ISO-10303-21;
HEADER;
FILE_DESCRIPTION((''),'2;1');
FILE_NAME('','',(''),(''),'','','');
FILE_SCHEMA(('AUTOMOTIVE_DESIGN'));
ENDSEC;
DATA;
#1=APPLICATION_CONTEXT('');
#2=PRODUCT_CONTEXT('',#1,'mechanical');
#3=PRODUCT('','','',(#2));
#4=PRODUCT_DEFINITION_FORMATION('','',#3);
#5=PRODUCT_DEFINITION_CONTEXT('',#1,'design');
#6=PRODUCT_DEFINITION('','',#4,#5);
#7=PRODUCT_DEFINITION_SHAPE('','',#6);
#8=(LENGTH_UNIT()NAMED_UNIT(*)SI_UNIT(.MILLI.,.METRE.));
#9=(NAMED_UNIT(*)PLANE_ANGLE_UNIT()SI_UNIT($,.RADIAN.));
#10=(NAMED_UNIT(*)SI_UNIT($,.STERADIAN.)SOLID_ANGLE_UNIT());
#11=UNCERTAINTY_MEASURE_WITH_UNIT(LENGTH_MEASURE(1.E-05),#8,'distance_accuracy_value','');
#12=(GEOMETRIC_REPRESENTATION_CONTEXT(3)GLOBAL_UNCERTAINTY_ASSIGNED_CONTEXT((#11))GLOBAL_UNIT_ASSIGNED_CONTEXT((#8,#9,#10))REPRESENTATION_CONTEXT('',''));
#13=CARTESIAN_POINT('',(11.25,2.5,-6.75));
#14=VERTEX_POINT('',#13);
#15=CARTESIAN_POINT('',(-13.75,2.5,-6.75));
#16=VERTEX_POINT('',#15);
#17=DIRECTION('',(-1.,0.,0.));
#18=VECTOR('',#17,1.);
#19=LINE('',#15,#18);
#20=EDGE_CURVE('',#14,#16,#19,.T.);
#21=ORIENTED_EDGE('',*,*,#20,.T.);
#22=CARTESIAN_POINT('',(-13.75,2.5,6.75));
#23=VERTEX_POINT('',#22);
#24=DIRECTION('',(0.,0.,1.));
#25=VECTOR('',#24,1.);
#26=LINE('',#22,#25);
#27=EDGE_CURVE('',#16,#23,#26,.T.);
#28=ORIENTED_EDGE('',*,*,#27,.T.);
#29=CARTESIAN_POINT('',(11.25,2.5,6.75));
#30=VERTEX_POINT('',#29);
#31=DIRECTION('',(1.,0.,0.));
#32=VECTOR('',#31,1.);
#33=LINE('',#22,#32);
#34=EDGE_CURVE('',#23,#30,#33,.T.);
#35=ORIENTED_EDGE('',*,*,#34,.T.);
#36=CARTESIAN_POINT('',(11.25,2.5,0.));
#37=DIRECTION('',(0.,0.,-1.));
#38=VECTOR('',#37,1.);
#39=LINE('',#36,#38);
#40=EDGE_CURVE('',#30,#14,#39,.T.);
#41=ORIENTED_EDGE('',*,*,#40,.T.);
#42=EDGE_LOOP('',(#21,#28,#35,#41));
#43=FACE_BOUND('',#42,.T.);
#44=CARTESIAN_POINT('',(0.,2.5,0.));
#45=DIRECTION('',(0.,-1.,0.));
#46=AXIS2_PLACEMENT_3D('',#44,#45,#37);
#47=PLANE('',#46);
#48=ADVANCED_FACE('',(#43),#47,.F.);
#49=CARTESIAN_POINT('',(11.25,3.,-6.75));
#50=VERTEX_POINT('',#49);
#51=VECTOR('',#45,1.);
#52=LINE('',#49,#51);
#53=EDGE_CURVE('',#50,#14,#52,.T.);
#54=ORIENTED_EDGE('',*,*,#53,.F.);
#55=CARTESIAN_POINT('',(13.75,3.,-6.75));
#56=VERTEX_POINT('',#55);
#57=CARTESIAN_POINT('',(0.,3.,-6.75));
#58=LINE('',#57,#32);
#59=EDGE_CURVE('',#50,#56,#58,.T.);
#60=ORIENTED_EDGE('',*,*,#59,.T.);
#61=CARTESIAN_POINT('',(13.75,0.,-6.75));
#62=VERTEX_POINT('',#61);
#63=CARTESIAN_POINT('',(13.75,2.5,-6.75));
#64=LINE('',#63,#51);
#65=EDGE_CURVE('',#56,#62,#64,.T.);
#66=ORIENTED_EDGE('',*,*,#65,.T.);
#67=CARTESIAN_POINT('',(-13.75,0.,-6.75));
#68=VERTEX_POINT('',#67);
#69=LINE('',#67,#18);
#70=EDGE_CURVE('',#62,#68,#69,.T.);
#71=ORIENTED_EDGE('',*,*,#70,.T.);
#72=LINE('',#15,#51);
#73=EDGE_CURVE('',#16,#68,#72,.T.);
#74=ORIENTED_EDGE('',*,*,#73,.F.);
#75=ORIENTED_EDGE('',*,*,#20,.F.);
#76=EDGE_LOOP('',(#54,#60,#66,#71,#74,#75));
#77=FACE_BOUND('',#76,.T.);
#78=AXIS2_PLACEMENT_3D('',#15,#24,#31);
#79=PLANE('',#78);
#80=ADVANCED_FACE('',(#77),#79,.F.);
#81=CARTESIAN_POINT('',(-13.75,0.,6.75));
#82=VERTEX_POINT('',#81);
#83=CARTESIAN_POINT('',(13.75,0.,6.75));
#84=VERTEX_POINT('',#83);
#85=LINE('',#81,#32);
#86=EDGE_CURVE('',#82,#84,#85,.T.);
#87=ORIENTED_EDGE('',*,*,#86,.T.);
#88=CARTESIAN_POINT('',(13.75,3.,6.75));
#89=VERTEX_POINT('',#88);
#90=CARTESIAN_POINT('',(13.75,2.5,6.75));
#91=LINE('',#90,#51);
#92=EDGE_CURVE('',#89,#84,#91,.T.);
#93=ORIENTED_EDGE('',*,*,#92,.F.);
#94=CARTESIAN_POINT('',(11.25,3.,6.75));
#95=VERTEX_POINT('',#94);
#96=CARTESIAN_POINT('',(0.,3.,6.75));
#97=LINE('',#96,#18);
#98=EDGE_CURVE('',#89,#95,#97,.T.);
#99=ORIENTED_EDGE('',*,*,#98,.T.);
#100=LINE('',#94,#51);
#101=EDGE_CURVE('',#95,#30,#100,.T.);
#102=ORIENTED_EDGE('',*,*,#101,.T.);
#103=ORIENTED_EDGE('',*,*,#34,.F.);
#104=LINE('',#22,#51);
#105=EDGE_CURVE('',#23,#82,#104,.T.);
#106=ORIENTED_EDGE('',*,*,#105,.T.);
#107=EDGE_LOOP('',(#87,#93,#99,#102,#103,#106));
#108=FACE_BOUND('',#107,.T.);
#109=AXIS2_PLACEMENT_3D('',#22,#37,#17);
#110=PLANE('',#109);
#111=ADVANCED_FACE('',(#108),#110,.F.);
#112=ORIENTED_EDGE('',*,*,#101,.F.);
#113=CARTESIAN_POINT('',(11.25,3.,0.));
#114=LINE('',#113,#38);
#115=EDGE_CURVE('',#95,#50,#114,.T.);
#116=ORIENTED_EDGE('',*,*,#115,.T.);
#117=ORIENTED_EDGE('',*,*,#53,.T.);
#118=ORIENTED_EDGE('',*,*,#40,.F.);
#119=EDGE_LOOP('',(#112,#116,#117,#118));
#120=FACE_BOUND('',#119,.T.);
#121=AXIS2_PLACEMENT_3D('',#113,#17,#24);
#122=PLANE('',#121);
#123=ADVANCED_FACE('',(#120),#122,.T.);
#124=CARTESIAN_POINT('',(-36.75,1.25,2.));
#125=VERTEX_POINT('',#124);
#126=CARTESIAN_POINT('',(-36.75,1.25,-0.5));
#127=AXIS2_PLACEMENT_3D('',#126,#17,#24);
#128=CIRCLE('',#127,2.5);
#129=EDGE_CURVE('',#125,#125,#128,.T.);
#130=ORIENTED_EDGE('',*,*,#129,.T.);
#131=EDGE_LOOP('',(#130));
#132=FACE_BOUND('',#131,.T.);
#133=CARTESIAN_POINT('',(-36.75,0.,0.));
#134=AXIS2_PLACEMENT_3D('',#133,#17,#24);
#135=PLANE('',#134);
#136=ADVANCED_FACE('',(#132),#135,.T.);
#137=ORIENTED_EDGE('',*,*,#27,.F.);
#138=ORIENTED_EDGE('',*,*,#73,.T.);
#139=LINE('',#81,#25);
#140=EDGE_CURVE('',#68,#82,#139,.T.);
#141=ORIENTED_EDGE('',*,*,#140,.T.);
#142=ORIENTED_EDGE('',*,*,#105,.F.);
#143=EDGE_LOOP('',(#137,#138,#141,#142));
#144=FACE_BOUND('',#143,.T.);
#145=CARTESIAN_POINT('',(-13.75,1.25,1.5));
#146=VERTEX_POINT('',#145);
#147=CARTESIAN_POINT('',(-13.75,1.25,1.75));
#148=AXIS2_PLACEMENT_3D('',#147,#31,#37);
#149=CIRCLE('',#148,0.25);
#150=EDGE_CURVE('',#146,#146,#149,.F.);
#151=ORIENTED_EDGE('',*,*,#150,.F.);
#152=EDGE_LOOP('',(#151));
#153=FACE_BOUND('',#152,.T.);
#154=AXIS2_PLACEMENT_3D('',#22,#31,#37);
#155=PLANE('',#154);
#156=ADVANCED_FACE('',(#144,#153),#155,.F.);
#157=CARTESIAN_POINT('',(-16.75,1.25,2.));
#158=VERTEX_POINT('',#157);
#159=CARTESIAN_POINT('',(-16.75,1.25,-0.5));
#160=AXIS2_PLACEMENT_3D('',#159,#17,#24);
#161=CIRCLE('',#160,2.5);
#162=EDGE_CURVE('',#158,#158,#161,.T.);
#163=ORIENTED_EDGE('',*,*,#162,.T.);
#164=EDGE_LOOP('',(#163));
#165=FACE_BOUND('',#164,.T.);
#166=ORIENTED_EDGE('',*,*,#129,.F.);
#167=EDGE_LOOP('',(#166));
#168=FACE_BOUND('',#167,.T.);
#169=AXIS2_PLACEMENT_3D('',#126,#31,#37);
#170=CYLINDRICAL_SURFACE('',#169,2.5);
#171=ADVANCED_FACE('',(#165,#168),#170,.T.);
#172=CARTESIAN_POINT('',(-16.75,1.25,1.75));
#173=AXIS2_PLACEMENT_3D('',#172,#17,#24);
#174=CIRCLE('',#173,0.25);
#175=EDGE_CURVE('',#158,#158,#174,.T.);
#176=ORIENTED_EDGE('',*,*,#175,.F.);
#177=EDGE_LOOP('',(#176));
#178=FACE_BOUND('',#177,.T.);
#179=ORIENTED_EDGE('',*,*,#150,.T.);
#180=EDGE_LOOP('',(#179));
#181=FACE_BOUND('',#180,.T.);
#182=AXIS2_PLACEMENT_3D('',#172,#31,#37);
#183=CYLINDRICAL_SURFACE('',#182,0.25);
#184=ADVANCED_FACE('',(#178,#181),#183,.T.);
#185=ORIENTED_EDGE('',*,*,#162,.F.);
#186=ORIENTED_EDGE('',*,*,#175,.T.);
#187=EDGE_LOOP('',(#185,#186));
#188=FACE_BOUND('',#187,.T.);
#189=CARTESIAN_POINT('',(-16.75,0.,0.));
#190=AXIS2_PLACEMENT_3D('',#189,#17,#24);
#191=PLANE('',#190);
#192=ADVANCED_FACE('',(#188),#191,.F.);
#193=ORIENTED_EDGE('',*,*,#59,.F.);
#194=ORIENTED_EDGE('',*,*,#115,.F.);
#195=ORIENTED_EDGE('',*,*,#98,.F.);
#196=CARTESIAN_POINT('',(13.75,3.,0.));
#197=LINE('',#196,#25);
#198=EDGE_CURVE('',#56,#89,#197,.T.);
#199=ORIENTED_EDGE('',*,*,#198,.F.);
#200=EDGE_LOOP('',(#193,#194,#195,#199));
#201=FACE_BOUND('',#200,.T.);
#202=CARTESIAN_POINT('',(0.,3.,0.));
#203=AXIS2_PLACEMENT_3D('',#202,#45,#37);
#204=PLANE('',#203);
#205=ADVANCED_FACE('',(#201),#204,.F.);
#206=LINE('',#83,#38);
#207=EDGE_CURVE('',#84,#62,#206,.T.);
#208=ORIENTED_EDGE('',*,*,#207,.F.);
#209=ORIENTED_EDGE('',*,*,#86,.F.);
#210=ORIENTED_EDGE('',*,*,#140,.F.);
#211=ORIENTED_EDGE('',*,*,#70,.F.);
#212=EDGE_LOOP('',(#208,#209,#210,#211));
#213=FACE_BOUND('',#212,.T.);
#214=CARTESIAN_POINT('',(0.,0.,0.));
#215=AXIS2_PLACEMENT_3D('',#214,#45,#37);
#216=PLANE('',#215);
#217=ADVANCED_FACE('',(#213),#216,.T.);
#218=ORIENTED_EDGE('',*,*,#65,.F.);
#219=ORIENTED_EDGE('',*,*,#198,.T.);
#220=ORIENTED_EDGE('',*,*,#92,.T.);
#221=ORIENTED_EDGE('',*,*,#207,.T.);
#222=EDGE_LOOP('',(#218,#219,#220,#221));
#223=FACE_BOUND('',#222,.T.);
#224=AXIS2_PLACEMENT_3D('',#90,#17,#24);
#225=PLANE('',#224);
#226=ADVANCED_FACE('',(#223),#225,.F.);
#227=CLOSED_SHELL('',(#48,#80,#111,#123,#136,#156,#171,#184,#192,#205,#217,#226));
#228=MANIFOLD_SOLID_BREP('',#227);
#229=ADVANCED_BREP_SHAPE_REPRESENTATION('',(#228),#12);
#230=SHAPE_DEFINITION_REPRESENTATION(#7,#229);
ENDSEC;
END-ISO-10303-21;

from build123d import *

# Parameters (mm, degrees)
SKETCH_1_W      = 27.5
SKETCH_1_H      = 13.5
EXTRUDE_1_DEPTH = 2.5
SKETCH_2_W      = 2.5
SKETCH_2_H      = 13.5
EXTRUDE_2_DEPTH = 3
SKETCH_3_R      = 0.25
EXTRUDE_3_DEPTH = 3
SKETCH_4_R      = 0.25
SKETCH_4_R_2    = 2.5
EXTRUDE_5_DEPTH = 20


with BuildPart() as part:
    # Эскиз1 → Бобышка-Вытянуть1 (new body)
    with BuildSketch(Plane(origin=(0, 0, 0), x_dir=(1, 0, 0), z_dir=(0, 1, 0))):
        Rectangle(SKETCH_1_W, SKETCH_1_H)
    extrude(amount=EXTRUDE_1_DEPTH)

    # Эскиз2 → Бобышка-Вытянуть2 (add)
    with BuildSketch(Plane.XZ):
        with Locations((12.5, 0)):
            Rectangle(SKETCH_2_W, SKETCH_2_H)
    extrude(amount=-EXTRUDE_2_DEPTH)

    # Эскиз3 → Бобышка-Вытянуть3 (add)
    with BuildSketch(Plane.ZY.offset(13.75)):
        with Locations(Location((1.75, 1.25, 0), (0, 0, 180))):
            Circle(SKETCH_3_R)
    extrude(amount=EXTRUDE_3_DEPTH)

    # Эскиз4 → Бобышка-Вытянуть5 (add)
    with BuildSketch(Plane.ZY.offset(16.75)):
        with Locations(Location((1.75, 1.25, 0), (0, 0, 180))):
            Circle(SKETCH_4_R)
        with Locations((-0.5, 1.25)):
            Circle(SKETCH_4_R_2)
        with Locations(Location((1.75, 1.25, 0), (0, 0, 180))):
            Circle(SKETCH_4_R)
    extrude(amount=EXTRUDE_5_DEPTH)


solid = part.part
